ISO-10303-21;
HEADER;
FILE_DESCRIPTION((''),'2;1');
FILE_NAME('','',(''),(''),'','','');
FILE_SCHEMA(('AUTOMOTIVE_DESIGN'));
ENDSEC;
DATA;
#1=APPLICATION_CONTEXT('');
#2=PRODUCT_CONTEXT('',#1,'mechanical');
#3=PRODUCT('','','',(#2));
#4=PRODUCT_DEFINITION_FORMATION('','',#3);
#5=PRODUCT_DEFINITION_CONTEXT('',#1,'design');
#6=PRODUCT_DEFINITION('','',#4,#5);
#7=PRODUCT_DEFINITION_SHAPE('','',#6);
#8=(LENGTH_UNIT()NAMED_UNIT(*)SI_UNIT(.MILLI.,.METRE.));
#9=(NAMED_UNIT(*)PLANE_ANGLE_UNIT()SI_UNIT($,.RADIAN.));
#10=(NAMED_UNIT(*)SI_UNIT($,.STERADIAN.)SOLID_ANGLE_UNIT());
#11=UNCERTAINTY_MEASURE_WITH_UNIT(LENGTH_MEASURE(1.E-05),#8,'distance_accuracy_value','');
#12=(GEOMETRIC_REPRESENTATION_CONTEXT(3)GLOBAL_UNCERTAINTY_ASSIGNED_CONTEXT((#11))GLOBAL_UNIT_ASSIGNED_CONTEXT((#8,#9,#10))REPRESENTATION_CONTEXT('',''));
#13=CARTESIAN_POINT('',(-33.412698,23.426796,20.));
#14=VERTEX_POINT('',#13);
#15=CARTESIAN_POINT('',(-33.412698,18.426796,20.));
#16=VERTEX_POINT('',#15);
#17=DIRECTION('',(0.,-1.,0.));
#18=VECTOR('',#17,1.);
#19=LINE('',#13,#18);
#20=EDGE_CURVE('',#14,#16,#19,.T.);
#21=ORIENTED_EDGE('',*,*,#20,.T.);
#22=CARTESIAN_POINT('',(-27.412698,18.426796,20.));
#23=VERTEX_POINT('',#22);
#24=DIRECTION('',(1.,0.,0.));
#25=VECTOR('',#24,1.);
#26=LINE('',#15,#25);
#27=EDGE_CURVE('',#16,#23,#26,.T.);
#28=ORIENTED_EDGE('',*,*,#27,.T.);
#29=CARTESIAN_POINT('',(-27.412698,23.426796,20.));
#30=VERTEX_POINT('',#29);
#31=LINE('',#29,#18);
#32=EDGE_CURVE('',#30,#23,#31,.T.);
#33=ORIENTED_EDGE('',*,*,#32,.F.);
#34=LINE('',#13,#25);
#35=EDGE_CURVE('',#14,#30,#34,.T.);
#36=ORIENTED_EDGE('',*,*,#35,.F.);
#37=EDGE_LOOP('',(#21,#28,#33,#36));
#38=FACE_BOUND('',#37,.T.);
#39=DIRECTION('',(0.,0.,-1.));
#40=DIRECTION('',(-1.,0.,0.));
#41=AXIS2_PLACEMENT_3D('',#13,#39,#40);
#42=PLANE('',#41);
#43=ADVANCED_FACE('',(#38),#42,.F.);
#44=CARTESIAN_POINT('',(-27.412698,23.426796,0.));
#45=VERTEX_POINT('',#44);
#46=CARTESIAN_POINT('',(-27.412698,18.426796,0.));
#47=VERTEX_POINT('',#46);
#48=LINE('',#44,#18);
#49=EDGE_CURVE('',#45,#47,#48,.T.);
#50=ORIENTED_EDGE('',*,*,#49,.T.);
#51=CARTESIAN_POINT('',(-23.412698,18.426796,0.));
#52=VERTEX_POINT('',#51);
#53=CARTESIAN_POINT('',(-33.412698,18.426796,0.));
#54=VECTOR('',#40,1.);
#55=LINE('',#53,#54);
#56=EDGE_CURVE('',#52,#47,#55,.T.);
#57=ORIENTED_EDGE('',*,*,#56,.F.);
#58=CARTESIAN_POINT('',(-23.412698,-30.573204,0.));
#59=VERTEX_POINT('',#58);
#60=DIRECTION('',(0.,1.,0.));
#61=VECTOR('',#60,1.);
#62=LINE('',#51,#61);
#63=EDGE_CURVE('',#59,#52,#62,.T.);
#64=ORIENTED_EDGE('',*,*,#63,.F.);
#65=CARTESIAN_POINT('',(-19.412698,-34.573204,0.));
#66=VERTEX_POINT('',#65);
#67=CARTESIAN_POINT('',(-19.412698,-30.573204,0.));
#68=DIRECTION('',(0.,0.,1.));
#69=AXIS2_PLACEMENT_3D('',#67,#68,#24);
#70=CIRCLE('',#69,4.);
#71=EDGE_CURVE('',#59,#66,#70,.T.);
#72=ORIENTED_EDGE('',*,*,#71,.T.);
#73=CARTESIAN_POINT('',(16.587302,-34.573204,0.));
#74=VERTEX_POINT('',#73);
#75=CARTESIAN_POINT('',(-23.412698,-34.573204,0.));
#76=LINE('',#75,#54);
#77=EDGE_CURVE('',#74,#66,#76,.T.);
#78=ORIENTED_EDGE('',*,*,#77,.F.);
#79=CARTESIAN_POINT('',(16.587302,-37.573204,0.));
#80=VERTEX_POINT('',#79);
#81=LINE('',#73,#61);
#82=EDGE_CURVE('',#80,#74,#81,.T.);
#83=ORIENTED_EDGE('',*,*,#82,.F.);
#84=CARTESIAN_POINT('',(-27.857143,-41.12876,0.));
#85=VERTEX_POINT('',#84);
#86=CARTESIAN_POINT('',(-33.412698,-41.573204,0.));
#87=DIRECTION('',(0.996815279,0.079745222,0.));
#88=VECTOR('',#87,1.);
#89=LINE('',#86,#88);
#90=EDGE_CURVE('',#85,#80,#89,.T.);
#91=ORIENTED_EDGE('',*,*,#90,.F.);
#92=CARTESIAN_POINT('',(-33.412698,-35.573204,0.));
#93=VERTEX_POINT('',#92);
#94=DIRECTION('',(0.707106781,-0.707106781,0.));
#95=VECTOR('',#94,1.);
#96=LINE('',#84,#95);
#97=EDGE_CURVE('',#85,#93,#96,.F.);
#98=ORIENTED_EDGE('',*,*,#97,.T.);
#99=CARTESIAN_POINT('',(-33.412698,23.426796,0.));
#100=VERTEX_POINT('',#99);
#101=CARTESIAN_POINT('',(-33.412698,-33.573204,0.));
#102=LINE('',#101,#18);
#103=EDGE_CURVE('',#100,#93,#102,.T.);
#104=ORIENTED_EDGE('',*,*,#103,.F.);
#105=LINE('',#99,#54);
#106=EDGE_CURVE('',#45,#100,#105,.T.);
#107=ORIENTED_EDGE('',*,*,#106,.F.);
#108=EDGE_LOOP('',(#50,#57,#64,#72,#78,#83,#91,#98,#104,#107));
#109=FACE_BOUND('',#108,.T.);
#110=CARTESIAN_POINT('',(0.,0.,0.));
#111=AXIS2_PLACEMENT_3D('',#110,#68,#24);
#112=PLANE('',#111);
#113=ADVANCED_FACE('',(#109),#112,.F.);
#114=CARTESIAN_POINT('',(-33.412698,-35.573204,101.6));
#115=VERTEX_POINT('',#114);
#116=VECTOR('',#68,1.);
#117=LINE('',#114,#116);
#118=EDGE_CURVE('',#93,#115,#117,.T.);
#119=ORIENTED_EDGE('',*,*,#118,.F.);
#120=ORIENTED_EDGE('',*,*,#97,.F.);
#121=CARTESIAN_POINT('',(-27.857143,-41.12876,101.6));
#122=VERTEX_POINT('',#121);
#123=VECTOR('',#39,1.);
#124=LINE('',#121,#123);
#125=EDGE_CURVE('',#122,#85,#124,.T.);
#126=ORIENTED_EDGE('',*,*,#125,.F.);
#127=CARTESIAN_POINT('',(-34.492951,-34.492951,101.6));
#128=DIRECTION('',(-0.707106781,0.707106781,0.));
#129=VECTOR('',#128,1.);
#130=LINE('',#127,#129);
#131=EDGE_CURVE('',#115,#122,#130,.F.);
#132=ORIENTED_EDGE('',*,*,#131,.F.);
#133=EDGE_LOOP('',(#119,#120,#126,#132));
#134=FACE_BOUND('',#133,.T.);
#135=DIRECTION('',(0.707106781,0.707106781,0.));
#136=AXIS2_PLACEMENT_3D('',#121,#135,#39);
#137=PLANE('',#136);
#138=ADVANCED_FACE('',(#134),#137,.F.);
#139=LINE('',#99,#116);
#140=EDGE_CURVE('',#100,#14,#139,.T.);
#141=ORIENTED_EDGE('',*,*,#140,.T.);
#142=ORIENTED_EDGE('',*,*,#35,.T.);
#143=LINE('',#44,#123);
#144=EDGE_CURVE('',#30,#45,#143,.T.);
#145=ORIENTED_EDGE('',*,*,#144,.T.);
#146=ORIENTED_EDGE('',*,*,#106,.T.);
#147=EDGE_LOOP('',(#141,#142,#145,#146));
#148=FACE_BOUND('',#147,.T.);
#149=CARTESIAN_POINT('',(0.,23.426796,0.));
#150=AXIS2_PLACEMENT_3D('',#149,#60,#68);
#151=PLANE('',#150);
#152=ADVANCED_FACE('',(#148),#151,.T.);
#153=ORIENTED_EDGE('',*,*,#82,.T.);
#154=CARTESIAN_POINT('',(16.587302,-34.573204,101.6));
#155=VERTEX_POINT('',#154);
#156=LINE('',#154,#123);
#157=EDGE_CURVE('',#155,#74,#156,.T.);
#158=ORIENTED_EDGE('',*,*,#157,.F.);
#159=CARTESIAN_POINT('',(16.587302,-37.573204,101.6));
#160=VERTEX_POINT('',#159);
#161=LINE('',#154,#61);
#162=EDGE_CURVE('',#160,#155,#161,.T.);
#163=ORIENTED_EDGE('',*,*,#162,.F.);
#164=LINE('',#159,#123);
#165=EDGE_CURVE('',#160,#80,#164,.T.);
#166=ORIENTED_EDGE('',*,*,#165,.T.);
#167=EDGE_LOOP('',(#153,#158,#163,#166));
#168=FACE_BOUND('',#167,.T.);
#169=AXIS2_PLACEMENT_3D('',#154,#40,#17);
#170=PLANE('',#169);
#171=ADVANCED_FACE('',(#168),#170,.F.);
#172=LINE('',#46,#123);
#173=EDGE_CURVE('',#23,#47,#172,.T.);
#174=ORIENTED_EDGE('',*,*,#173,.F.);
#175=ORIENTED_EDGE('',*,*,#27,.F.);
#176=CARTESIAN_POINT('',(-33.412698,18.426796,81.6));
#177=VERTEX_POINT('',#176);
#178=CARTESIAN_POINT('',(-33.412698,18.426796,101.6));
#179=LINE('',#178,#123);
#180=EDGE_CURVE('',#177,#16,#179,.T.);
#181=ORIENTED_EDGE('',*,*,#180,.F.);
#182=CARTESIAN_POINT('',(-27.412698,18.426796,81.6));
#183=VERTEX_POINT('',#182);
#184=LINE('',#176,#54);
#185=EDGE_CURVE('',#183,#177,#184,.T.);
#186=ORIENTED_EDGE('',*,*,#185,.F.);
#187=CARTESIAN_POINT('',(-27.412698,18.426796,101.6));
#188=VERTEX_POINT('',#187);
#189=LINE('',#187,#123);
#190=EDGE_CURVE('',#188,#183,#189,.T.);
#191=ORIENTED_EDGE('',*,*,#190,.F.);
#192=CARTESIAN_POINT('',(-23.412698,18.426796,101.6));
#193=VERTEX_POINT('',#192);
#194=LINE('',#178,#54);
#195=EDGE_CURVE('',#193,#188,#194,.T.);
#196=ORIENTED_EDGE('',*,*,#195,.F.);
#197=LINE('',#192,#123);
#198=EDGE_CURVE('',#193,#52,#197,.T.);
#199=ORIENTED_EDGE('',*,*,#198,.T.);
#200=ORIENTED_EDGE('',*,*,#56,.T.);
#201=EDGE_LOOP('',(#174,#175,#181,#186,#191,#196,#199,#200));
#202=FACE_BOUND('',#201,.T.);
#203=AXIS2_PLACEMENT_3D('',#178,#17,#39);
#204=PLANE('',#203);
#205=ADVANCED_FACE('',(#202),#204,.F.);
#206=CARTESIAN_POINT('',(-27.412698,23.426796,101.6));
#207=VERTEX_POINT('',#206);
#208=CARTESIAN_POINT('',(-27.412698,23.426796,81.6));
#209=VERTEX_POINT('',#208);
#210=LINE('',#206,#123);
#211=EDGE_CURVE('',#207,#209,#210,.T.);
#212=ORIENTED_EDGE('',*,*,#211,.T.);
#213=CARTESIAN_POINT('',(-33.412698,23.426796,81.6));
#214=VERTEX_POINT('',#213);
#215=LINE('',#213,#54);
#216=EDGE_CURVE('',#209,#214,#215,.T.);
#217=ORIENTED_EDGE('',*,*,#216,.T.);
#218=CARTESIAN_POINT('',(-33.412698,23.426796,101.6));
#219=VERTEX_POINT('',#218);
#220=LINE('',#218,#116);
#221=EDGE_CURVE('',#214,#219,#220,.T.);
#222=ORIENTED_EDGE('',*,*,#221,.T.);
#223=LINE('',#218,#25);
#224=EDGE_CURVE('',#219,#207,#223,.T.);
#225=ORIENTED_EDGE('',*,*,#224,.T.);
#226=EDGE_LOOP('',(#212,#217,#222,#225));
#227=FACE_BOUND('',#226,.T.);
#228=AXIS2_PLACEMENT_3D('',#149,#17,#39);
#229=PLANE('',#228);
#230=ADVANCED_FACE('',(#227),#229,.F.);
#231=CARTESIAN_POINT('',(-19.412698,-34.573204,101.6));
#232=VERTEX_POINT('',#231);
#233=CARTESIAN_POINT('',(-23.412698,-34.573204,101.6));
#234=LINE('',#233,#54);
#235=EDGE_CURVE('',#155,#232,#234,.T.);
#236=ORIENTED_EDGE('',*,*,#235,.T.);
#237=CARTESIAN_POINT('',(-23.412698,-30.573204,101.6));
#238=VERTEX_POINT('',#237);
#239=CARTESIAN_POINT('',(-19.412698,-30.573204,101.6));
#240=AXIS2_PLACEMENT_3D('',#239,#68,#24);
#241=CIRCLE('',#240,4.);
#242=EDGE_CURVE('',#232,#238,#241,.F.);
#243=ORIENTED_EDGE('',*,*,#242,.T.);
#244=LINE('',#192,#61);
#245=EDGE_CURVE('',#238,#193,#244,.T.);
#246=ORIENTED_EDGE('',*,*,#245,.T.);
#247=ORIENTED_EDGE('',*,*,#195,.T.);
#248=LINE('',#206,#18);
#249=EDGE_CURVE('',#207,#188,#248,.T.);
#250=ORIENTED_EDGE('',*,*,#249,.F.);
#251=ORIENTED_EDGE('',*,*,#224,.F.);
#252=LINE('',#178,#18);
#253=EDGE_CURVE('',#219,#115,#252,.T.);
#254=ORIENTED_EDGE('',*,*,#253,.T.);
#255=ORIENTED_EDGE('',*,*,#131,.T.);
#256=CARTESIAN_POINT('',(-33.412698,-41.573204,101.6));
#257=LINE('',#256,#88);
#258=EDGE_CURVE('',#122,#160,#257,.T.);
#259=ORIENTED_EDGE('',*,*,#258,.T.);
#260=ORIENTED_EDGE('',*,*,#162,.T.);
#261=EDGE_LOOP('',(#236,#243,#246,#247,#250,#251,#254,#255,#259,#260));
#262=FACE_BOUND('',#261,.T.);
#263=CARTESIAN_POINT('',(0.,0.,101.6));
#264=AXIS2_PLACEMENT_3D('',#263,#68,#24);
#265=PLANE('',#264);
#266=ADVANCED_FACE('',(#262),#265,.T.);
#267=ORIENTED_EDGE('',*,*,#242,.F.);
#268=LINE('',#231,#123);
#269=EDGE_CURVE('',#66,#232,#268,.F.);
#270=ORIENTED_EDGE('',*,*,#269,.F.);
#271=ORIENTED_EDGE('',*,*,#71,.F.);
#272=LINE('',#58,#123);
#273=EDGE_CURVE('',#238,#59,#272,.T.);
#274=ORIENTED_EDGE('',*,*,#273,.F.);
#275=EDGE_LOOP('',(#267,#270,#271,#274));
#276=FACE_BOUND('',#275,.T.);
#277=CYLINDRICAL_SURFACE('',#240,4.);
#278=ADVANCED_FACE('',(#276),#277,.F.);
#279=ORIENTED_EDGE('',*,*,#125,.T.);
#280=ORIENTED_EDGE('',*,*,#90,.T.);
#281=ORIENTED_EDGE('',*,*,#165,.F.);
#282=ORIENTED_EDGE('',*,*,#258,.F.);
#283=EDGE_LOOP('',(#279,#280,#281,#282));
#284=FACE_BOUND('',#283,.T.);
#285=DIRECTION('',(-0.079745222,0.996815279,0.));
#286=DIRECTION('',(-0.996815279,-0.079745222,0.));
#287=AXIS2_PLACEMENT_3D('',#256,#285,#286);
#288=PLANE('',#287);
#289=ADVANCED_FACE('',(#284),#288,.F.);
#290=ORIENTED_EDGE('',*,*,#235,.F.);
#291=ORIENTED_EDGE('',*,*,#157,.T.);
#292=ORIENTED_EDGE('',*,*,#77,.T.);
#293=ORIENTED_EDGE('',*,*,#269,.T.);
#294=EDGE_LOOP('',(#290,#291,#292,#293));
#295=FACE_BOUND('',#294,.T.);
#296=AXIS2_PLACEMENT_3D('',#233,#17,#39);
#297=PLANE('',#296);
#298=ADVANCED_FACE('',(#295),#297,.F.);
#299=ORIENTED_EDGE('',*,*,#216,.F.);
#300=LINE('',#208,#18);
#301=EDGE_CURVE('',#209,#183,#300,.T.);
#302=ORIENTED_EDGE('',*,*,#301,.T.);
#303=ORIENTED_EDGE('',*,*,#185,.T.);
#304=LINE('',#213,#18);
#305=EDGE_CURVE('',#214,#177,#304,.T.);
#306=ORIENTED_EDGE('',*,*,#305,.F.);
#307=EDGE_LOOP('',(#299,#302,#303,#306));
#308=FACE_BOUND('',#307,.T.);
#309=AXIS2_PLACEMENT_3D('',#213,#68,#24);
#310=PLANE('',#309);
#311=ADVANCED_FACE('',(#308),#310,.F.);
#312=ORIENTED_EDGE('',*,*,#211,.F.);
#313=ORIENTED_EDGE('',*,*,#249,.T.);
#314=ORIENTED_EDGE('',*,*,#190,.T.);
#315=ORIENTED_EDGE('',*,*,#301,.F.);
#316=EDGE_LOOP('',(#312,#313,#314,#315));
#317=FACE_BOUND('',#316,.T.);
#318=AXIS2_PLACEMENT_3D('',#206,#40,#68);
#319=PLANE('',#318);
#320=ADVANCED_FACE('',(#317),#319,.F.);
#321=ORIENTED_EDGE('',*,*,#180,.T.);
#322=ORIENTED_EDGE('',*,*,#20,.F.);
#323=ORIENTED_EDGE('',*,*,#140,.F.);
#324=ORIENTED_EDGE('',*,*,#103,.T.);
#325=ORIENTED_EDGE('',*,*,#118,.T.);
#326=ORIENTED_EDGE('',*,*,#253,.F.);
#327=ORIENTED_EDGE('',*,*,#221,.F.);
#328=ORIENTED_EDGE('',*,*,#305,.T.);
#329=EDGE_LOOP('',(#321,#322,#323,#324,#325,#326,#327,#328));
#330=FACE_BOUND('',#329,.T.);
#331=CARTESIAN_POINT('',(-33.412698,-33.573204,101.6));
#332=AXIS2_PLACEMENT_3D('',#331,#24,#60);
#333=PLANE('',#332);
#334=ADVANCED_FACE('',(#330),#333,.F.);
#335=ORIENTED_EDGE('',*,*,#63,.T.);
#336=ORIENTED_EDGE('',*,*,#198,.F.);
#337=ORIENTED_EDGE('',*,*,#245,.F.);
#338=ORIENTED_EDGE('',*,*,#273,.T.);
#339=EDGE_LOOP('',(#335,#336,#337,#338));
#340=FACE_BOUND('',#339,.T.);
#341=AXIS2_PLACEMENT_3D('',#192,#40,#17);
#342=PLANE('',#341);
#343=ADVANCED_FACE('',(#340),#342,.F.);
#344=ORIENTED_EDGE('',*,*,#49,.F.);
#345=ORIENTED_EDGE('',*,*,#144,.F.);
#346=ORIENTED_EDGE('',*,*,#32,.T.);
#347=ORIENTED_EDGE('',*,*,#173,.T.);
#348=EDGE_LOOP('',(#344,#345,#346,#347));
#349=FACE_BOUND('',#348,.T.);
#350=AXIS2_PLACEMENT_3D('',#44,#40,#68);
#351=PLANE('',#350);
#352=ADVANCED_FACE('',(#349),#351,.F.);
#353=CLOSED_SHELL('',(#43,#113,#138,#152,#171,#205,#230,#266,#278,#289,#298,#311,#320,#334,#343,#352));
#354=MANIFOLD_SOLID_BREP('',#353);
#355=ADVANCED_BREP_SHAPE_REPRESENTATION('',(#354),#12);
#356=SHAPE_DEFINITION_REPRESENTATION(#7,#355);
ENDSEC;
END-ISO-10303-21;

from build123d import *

# Parameters (mm, degrees)
BOSS_EXTRUDE1_DEPTH = 101.6
CHAMFER1_SIZE       = 6
CHAMFER1_SIZE2      = 5.57330498
FILLET1_R           = 4
SKETCH2_W           = 6
SKETCH2_H           = 20
BOSS_EXTRUDE2_DEPTH = 5


with BuildPart() as part:
    # Sketch1 → Boss-Extrude1 (new body)
    with BuildSketch(Plane.XY):
        Polygon((-33.412698413, -41.573204241), (16.587301587, -37.573204241), (16.587301587, -34.573204241), (-23.412698413, -34.573204241), (-23.412698413, 18.426795759), (-33.412698413, 18.426795759), (-33.412698413, -33.573204241), align=None)
    extrude(amount=BOSS_EXTRUDE1_DEPTH)

    # Chamfer1
    chamfer1_edges = [part.edges().sort_by_distance(p)[0] for p in [
        (-33.412698413, -41.573204241, 50.8),
    ]]
    chamfer1_side = [part.faces().sort_by_distance(p)[0] for p in [
        (-33.412698413, -11.573204241, 50.8),
    ]]
    chamfer(chamfer1_edges, length=CHAMFER1_SIZE, length2=CHAMFER1_SIZE2, reference=chamfer1_side[0])

    # Fillet1
    fillet1_edges = [part.edges().sort_by_distance(p)[0] for p in [
        (-23.412698413, -34.573204241, 50.8),
    ]]
    fillet(fillet1_edges, radius=FILLET1_R)

    # Sketch2 → Boss-Extrude2 (add)
    with BuildSketch(Plane(origin=(0, 18.426795759, 0), x_dir=(1, 0, 0), z_dir=(0, 1, 0))):
        with Locations((-30.412698413, -91.6)):
            Rectangle(SKETCH2_W, SKETCH2_H)
        with Locations((-30.412698413, -10)):
            Rectangle(SKETCH2_W, SKETCH2_H)
    extrude(amount=BOSS_EXTRUDE2_DEPTH)


solid = part.part
